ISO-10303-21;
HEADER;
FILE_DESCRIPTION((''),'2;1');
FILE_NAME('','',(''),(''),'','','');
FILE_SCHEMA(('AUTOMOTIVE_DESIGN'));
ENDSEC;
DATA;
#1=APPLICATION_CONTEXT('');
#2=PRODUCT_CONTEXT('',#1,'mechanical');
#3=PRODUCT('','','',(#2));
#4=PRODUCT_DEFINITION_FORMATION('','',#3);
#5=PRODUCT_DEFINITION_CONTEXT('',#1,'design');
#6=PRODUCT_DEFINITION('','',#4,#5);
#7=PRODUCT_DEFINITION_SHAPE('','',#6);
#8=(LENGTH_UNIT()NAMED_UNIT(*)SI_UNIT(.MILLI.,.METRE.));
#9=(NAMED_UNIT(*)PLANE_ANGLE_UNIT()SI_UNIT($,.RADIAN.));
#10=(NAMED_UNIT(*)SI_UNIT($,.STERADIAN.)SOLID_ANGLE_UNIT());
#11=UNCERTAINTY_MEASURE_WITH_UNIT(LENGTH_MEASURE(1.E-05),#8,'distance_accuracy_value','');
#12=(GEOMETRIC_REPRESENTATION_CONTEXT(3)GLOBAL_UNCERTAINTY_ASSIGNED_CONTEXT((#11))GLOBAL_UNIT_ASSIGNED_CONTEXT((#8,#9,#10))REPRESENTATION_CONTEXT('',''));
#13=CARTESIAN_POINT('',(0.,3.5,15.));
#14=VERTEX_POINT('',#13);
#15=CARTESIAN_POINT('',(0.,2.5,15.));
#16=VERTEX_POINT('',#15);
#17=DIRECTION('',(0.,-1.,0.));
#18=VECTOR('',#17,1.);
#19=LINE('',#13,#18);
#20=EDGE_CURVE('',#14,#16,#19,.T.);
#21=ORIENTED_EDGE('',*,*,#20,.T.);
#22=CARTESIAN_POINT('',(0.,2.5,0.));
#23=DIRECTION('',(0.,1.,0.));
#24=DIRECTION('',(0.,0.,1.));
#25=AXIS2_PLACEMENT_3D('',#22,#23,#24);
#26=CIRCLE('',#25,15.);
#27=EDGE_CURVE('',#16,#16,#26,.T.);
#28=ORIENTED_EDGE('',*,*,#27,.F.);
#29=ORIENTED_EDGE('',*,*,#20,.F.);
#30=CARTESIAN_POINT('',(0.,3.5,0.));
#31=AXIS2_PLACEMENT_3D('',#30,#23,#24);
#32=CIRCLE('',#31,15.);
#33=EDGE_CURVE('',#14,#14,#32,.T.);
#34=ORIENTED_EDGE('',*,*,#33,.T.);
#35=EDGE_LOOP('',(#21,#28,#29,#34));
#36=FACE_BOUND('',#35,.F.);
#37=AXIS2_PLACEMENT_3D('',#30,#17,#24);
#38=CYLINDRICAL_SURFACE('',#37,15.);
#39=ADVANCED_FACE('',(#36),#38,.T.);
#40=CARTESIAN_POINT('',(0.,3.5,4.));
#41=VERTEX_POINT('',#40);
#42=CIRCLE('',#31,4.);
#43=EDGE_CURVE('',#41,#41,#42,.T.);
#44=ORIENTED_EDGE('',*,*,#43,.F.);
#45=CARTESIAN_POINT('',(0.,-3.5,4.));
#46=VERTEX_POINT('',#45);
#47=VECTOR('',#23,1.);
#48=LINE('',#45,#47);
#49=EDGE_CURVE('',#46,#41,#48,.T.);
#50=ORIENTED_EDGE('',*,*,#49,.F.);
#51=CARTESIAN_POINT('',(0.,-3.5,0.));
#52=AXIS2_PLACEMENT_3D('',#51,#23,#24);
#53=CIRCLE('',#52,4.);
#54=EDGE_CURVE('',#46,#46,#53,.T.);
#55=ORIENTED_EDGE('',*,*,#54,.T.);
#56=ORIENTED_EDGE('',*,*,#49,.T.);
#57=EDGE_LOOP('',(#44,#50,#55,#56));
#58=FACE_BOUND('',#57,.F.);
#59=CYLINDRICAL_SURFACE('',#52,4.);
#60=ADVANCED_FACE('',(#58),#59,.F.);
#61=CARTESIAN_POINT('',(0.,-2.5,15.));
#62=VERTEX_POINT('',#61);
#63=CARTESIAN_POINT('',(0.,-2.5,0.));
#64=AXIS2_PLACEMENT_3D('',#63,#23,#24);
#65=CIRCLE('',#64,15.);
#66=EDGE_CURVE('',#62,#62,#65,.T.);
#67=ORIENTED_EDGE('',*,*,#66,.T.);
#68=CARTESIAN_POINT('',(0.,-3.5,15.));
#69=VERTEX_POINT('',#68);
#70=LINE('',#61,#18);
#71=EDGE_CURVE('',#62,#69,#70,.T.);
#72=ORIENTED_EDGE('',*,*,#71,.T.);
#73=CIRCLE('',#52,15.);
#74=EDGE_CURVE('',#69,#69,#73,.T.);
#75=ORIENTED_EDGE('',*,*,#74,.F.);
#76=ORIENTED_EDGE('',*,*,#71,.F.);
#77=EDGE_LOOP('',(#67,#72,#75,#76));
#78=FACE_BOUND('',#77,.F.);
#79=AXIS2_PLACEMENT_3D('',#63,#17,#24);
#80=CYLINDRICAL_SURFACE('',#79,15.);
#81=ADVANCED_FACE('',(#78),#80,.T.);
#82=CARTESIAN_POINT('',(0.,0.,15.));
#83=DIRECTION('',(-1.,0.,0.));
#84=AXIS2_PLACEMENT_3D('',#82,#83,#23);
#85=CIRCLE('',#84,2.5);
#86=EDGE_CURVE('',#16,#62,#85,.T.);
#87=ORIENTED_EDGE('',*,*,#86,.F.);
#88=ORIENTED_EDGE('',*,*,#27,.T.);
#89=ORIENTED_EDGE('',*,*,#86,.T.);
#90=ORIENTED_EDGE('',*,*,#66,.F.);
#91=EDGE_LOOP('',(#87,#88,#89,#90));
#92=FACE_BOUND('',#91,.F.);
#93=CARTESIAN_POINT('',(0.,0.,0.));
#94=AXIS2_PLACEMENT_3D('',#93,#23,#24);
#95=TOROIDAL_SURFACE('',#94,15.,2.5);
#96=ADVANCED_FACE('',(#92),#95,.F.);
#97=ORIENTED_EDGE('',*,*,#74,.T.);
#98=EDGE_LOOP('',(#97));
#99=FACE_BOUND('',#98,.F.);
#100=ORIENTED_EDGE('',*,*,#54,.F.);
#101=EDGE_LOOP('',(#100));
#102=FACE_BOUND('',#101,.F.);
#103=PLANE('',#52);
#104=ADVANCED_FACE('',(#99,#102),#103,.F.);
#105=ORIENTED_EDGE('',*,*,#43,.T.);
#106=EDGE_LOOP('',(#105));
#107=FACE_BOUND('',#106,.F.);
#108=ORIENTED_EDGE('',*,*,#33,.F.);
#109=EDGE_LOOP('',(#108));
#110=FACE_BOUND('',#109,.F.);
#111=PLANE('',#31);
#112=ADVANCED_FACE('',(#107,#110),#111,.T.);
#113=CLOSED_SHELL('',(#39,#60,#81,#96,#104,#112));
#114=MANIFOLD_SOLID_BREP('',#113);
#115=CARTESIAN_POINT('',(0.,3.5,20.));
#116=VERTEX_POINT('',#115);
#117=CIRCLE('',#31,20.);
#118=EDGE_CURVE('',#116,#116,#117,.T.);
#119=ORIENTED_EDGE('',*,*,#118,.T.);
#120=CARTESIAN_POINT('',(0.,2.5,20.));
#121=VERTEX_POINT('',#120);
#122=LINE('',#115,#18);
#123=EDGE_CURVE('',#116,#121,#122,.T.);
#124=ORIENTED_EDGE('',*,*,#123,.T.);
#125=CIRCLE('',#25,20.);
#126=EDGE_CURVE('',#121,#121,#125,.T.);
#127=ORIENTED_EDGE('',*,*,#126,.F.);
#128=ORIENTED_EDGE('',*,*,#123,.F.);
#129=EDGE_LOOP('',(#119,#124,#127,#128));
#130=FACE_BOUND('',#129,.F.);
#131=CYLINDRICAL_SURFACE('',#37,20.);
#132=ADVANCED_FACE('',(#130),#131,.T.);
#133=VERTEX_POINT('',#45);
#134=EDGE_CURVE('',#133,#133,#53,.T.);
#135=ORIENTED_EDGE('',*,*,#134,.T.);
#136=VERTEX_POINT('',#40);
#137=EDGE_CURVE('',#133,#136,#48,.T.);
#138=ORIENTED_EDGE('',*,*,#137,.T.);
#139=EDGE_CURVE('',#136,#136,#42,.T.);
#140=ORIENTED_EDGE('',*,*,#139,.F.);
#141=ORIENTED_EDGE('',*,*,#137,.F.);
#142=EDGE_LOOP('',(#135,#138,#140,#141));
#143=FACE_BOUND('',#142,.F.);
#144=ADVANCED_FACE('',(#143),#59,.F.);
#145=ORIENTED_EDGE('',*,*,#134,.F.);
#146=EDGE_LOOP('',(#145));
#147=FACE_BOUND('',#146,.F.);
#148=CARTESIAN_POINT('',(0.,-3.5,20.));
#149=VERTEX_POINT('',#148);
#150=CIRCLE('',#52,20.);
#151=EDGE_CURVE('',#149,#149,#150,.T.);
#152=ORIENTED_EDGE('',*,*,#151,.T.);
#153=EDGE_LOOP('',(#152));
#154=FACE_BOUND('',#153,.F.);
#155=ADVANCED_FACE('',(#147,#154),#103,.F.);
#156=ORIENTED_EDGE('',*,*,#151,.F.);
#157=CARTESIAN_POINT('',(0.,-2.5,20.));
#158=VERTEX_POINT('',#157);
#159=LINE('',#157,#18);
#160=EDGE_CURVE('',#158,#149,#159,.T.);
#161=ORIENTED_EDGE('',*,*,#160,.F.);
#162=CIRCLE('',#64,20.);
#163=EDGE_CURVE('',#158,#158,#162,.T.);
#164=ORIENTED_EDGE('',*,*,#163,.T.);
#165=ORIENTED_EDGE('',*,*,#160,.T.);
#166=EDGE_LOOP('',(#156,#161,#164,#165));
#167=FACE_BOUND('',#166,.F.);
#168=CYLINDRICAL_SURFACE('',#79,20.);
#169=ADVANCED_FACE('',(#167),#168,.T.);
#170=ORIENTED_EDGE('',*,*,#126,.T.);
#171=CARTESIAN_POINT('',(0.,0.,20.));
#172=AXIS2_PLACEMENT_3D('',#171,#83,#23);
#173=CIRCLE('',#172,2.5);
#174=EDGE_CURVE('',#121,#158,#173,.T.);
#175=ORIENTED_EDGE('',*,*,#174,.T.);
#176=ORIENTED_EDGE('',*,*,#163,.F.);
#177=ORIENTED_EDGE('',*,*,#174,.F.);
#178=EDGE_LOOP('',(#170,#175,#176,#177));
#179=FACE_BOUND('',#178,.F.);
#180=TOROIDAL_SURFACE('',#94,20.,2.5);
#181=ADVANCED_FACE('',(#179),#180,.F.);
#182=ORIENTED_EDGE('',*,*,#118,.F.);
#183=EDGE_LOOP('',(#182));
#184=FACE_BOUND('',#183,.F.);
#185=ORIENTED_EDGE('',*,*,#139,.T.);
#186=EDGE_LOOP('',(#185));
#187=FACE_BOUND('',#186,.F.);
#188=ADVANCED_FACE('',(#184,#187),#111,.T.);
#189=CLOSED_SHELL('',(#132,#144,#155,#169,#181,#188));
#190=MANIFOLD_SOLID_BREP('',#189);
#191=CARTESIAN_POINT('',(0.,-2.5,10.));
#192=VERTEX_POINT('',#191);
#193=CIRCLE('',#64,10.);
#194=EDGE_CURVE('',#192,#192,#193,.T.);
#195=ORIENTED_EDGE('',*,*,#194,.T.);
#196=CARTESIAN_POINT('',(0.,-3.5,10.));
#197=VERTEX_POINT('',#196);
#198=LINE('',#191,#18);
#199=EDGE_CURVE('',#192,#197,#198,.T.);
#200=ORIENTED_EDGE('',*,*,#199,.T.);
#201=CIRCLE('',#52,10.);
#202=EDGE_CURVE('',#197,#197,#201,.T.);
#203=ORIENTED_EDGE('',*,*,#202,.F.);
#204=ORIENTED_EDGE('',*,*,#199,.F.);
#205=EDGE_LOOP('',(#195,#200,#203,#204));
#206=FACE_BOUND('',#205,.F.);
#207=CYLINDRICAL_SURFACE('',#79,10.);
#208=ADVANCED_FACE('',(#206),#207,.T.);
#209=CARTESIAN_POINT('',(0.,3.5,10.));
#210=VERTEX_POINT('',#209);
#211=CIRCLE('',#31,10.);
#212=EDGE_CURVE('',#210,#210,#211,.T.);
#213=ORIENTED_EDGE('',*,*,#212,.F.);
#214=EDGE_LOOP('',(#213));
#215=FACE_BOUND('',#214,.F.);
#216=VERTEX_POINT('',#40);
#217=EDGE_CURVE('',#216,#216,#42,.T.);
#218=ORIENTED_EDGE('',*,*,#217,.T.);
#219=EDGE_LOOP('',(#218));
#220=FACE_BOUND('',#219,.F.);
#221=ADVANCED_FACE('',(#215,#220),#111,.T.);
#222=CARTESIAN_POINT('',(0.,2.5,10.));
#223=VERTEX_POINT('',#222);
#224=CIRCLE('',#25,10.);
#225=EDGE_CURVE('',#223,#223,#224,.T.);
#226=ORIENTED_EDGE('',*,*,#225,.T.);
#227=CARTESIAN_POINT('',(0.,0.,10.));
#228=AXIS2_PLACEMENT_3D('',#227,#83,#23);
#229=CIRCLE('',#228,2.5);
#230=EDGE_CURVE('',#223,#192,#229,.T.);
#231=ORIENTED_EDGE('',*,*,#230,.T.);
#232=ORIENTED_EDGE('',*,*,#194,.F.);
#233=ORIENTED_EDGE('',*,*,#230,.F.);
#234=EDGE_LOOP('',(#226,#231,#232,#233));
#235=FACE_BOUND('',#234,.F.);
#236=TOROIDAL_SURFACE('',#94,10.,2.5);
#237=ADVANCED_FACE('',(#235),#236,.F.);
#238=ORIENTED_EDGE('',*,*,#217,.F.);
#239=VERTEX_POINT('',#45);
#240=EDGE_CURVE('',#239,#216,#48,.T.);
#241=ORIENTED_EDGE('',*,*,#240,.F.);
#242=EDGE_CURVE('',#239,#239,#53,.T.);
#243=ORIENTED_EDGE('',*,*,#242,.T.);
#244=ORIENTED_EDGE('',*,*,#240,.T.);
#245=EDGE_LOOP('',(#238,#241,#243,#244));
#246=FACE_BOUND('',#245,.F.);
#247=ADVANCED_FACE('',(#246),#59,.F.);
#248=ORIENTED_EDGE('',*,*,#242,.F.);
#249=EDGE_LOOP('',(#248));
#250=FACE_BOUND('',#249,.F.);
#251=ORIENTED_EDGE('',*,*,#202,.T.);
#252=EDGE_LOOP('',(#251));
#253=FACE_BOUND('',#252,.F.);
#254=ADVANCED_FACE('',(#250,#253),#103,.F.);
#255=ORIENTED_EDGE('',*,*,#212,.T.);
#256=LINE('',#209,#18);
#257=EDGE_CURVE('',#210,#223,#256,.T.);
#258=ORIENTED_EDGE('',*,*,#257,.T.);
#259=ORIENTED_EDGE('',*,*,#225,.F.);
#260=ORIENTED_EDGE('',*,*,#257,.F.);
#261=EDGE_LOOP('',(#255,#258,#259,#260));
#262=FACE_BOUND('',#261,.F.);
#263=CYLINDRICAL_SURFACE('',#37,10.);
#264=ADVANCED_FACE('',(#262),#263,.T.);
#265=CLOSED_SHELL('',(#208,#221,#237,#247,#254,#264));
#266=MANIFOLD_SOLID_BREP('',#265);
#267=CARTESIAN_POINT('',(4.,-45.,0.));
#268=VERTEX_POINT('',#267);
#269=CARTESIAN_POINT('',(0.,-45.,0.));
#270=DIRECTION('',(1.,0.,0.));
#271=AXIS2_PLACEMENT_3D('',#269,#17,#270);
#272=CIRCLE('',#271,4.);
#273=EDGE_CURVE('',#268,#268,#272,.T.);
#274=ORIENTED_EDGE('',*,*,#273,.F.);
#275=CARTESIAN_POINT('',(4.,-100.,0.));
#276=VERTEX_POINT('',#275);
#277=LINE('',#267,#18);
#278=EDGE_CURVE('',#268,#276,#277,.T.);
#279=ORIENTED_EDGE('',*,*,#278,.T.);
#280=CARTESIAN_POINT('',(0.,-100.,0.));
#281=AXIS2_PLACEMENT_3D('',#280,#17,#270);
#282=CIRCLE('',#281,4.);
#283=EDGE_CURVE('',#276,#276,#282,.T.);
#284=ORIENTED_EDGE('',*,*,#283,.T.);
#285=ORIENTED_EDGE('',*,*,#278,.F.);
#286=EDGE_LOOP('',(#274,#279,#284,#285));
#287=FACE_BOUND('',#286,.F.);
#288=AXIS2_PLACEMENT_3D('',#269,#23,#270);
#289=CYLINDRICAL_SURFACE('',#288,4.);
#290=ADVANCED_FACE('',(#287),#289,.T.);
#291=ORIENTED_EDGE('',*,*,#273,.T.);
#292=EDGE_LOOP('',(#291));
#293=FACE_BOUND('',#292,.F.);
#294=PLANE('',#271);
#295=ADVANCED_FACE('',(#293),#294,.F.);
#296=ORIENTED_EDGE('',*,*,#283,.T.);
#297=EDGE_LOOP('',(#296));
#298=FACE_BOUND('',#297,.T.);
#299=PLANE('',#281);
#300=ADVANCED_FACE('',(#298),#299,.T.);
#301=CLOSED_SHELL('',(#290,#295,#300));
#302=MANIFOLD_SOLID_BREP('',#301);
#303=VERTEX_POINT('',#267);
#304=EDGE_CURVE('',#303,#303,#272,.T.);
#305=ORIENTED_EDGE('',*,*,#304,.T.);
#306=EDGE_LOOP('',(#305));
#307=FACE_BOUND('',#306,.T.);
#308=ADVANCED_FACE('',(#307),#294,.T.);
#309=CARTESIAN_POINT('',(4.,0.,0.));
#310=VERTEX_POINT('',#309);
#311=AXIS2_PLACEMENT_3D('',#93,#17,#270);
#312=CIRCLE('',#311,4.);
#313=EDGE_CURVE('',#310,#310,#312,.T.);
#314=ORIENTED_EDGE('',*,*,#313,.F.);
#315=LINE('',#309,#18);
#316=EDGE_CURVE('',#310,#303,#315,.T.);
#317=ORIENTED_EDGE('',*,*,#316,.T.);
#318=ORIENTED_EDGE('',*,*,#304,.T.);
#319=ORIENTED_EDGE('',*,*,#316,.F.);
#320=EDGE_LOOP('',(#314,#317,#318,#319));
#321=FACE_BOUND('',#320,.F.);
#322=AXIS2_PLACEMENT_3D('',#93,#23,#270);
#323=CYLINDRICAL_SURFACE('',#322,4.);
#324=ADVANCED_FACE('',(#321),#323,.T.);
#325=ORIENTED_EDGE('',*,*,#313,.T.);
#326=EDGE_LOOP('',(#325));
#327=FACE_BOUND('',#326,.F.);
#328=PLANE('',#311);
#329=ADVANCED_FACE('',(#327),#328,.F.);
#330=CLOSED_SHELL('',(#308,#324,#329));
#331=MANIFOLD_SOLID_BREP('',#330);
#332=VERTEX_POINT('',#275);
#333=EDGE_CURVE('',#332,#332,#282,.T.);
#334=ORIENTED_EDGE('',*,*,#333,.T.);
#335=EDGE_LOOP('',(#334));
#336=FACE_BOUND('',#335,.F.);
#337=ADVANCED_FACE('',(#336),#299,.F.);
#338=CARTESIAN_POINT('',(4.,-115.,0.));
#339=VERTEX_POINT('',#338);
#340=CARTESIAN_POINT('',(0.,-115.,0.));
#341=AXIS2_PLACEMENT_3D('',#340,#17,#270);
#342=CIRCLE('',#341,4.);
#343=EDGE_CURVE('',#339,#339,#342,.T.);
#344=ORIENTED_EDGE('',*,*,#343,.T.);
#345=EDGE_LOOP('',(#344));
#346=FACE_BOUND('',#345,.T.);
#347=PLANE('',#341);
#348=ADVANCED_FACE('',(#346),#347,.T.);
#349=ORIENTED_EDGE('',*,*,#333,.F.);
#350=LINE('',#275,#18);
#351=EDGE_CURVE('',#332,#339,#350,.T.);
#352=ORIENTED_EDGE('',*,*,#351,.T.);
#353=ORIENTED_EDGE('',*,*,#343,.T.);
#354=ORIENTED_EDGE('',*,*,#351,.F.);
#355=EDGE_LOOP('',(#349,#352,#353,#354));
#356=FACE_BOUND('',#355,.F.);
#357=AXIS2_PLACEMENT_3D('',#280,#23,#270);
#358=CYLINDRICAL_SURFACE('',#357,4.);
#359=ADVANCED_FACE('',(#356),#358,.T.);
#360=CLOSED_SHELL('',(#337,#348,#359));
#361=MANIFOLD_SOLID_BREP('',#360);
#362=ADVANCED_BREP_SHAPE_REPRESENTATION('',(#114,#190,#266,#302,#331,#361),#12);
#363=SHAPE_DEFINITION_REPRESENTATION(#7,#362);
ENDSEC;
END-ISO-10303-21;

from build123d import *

# Parameters (mm, degrees)
F6_R     = 4
F7_DEPTH = 45
F8_DEPTH = 55
F9_DEPTH = 15


with BuildPart() as f1:
    # F0 (on Right) → F1 (revolve)
    with BuildSketch(Plane.YZ):
        with BuildLine():
            Line((-2.5, 20), (-3.5, 20))
            Line((-3.5, 20), (-3.5, 4))
            Line((-3.5, 4), (3.5, 4))
            Line((3.5, 4), (3.5, 20))
            Line((3.5, 20), (2.5, 20))
            ThreePointArc((2.5, 20), (0, 17.5), (-2.5, 20))
        make_face()
    revolve(axis=Axis((0, 0, 0), (0, 1, 0)))


with BuildPart() as f3:
    # F2 (on Right) → F3 (revolve)
    with BuildSketch(Plane.YZ):
        with BuildLine():
            Line((-2.5, 15), (-3.5, 15))
            Line((-3.5, 15), (-3.5, 4))
            Line((-3.5, 4), (3.5, 4))
            Line((3.5, 4), (3.5, 15))
            Line((3.5, 15), (2.5, 15))
            ThreePointArc((2.5, 15), (0, 12.5), (-2.5, 15))
        make_face()
    revolve(axis=Axis((0, 0, 0), (0, 1, 0)))


with BuildPart() as f5:
    # F4 (on Right) → F5 (revolve)
    with BuildSketch(Plane.YZ):
        with BuildLine():
            Line((-2.5, 10), (-3.5, 10))
            Line((-3.5, 10), (-3.5, 4))
            Line((-3.5, 4), (3.5, 4))
            Line((3.5, 4), (3.5, 10))
            Line((3.5, 10), (2.5, 10))
            ThreePointArc((2.5, 10), (0, 7.5), (-2.5, 10))
        make_face()
    revolve(axis=Axis((0, 0, 0), (0, 1, 0)))


with BuildPart() as f7:
    # F6 (on Front) → F7 (new body)
    with BuildSketch(Plane.XZ):
        Circle(F6_R)
    extrude(amount=F7_DEPTH)


with BuildPart() as f8:
    # F8 (new): a face of the model
    f8_faces = [f7.part.faces().sort_by_distance(p)[0] for p in [
        (0, -45, 0),
    ]]
    extrude(f8_faces, amount=F8_DEPTH)


with BuildPart() as f9:
    # F9 (new): a face of the model
    f9_faces = [f8.part.faces().sort_by_distance(p)[0] for p in [
        (0, -100, 0),
    ]]
    extrude(f9_faces, amount=F9_DEPTH)


solid = Compound([f1.part, f3.part, f5.part, f7.part, f8.part, f9.part])
